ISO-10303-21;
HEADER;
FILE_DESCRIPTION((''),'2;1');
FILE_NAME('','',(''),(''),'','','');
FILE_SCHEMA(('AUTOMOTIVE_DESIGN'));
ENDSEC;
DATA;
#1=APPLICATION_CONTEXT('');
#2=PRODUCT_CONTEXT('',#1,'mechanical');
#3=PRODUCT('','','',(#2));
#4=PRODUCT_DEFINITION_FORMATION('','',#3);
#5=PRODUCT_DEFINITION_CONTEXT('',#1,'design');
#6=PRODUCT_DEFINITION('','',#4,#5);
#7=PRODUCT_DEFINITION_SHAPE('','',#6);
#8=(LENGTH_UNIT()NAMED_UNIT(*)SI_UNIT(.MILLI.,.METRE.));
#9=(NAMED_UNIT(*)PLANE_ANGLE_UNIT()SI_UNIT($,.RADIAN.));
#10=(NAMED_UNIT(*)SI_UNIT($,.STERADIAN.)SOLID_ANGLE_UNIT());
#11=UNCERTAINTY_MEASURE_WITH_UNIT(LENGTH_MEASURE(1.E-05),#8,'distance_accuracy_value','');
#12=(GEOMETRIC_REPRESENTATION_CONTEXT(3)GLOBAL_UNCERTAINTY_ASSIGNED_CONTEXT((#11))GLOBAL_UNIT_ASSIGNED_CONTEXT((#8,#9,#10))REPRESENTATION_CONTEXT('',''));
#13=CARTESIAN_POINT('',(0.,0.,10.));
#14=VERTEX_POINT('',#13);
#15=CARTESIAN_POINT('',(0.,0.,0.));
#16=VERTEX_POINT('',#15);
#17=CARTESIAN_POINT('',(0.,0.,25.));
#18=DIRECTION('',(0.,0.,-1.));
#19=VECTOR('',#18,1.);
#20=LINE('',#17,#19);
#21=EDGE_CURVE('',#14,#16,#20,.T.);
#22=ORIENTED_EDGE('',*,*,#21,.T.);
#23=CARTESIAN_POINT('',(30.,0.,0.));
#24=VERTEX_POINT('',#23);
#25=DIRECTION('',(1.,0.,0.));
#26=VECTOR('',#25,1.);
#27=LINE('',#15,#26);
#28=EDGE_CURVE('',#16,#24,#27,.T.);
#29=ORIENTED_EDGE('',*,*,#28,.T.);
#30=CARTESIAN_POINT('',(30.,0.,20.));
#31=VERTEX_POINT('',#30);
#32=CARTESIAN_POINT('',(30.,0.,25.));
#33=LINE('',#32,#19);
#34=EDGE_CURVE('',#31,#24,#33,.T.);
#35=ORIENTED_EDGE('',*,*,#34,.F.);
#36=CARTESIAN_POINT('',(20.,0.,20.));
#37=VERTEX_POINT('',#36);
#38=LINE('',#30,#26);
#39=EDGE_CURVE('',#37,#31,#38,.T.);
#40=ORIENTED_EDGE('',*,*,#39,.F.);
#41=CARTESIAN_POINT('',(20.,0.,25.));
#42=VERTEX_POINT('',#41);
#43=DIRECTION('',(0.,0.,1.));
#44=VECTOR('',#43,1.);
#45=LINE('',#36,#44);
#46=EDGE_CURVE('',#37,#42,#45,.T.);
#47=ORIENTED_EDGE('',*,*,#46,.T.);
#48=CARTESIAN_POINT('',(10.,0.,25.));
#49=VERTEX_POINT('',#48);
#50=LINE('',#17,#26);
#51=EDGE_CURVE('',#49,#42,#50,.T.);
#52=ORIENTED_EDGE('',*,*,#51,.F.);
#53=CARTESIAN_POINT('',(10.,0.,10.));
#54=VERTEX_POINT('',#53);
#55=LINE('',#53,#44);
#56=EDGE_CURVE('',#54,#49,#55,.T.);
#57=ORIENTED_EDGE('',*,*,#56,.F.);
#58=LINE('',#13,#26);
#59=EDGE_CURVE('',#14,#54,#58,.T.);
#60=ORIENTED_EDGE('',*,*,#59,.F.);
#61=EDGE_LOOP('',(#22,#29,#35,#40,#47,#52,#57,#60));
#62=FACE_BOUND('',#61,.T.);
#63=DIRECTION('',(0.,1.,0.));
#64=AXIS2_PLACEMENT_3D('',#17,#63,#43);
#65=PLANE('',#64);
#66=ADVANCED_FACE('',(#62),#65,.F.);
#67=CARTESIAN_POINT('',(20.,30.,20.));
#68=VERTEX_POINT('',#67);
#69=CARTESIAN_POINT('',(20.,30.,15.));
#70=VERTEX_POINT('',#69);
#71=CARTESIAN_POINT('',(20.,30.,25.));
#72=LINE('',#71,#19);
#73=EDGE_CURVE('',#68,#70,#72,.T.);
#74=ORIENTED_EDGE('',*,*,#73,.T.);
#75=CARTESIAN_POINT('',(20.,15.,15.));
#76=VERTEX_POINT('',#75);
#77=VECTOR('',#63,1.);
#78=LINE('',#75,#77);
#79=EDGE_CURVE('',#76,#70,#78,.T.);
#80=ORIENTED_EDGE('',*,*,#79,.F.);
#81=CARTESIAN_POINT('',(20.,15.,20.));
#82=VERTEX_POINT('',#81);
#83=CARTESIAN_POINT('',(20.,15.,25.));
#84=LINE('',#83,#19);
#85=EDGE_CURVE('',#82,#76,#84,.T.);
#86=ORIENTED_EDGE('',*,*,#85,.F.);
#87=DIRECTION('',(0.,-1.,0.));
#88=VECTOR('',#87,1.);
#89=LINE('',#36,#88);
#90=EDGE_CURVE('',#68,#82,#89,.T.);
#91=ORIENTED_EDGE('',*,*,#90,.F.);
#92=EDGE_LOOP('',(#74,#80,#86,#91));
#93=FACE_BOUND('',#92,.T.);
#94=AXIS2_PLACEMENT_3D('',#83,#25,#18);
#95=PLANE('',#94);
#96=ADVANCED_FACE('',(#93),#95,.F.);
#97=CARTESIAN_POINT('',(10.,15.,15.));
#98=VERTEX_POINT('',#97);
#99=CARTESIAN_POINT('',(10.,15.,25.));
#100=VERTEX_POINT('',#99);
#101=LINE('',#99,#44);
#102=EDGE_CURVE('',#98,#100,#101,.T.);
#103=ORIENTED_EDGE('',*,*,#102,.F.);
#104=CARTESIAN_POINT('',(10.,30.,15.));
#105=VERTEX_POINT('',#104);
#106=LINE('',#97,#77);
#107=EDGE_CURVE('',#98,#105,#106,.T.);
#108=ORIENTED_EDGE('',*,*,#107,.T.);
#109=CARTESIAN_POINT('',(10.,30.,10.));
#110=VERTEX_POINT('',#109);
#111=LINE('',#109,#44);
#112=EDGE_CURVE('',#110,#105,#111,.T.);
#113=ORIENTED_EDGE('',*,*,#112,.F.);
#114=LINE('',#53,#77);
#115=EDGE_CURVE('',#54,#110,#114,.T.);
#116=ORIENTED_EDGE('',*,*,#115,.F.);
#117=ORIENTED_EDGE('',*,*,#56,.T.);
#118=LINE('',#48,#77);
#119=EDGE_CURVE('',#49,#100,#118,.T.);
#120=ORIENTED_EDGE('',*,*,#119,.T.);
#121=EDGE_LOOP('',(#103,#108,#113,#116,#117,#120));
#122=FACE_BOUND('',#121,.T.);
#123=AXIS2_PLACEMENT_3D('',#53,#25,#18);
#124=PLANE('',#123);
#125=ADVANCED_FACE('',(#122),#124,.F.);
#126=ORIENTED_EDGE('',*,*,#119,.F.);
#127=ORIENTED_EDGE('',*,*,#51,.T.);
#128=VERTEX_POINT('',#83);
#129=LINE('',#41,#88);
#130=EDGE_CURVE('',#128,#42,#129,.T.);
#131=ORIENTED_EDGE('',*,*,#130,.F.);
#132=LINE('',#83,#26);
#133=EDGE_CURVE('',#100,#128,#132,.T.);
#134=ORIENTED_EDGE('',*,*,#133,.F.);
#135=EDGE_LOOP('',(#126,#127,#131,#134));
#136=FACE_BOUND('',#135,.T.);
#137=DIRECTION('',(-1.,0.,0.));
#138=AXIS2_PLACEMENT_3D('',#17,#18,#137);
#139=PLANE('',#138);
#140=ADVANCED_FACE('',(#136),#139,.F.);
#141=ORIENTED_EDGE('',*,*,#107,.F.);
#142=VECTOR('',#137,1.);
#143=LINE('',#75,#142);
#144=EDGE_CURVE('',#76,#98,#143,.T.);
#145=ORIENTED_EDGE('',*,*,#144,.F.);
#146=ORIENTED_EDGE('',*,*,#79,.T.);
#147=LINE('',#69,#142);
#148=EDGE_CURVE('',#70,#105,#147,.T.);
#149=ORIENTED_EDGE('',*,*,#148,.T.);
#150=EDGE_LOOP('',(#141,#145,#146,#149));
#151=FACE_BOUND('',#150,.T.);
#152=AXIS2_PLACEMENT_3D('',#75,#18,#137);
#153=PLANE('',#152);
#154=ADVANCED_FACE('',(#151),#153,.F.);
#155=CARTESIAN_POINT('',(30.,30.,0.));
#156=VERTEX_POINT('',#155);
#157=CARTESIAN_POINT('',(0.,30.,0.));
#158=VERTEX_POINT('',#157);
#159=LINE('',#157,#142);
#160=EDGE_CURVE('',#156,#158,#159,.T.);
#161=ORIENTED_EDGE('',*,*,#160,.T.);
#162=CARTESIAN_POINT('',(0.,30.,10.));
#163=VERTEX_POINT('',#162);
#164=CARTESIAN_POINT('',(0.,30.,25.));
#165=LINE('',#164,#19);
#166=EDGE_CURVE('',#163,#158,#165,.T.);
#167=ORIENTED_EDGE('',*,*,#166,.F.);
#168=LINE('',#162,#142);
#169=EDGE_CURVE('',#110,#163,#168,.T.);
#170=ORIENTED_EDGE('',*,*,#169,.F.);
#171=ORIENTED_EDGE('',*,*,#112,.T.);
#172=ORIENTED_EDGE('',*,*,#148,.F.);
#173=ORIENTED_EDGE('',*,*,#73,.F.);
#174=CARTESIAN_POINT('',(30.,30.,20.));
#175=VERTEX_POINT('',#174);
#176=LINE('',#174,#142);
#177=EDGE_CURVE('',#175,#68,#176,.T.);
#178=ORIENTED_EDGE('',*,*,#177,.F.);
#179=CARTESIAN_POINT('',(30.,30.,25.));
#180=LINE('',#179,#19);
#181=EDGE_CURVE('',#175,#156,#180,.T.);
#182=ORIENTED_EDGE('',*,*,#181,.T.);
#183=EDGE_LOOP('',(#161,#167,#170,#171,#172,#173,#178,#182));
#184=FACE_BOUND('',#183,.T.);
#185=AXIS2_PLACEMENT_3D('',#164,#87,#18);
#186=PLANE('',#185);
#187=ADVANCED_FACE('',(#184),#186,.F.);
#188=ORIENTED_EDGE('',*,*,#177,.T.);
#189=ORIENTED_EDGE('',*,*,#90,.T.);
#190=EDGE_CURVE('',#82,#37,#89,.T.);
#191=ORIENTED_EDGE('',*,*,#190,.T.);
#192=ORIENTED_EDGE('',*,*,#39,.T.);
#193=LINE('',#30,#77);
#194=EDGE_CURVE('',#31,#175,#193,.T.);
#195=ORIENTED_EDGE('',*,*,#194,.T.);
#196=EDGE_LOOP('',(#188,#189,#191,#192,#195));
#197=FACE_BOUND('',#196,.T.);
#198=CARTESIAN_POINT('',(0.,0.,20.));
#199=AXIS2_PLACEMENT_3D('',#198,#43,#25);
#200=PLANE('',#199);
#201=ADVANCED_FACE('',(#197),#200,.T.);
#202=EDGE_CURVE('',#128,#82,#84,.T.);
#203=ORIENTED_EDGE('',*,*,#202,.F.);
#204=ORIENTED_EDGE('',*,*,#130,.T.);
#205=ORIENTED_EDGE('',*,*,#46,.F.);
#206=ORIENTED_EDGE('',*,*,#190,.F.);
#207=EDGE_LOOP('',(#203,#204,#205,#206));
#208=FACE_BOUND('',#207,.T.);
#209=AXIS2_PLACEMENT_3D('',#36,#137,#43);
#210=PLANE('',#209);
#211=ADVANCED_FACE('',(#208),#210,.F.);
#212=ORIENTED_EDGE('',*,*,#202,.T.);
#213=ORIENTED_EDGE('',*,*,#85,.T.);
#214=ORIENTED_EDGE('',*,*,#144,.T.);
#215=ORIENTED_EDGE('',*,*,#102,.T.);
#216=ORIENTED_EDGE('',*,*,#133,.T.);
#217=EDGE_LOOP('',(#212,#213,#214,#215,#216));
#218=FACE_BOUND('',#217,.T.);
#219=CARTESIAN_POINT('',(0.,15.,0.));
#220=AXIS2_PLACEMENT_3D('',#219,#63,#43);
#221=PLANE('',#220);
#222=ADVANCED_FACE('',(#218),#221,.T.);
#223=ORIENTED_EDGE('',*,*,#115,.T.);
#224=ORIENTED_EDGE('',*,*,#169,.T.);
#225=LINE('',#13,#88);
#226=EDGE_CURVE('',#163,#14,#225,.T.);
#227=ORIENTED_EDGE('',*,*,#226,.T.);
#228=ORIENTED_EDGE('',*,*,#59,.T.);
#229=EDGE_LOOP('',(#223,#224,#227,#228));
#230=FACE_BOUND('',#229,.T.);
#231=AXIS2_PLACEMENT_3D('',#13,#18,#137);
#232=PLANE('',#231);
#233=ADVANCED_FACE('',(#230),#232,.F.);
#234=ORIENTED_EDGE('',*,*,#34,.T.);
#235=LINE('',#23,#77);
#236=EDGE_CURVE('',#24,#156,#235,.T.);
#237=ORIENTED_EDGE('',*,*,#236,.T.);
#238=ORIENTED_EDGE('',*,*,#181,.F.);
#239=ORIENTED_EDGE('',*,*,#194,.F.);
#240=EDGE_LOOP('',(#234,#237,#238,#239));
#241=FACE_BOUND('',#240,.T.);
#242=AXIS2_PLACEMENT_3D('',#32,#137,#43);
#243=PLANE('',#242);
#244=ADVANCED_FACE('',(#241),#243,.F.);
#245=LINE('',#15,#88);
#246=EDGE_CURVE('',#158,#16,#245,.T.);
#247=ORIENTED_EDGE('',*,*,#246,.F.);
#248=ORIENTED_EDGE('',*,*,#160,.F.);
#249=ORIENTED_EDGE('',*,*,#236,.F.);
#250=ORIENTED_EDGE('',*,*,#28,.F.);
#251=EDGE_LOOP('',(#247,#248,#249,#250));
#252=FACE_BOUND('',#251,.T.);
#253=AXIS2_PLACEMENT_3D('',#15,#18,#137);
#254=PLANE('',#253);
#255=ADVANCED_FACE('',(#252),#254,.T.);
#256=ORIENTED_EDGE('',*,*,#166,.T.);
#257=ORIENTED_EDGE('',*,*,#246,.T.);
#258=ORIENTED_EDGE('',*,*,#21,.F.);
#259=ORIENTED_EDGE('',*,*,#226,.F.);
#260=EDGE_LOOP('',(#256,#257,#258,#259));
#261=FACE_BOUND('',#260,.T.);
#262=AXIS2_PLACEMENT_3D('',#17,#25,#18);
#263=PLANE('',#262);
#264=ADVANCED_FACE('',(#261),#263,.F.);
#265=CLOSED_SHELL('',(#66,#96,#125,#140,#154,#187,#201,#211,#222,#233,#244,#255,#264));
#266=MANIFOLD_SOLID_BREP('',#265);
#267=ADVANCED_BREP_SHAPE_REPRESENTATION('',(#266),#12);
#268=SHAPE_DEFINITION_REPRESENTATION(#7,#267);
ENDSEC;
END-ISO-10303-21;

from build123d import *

# Parameters (mm, degrees)
SKETCH1_W           = 30
SKETCH1_H           = 30
BOSS_EXTRUDE1_DEPTH = 25
SKETCH2_W           = 10
SKETCH2_H           = 30
CUT_EXTRUDE1_DEPTH  = 5
SKETCH3_W           = 10
SKETCH3_H           = 30
CUT_EXTRUDE2_DEPTH  = 15
SKETCH4_W           = 10
SKETCH4_H           = 10
CUT_EXTRUDE3_DEPTH  = 15


with BuildPart() as part:
    # Sketch1 → Boss-Extrude1 (new body)
    with BuildSketch(Plane.XY):
        with Locations((15, 15)):
            Rectangle(SKETCH1_W, SKETCH1_H)
    extrude(amount=BOSS_EXTRUDE1_DEPTH)

    # Sketch2 → Cut-Extrude1 (cut)
    with BuildSketch(Plane.XY.offset(25)):
        with Locations((25, 15)):
            Rectangle(SKETCH2_W, SKETCH2_H)
    extrude(amount=-CUT_EXTRUDE1_DEPTH, mode=Mode.SUBTRACT)

    # Sketch3 → Cut-Extrude2 (cut)
    with BuildSketch(Plane.XY.offset(25)):
        with Locations((5, 15)):
            Rectangle(SKETCH3_W, SKETCH3_H)
    extrude(amount=-CUT_EXTRUDE2_DEPTH, mode=Mode.SUBTRACT)

    # Sketch4 → Cut-Extrude3 (cut)
    with BuildSketch(Plane(origin=(0, 30, 0), x_dir=(1, 0, 0), z_dir=(0, 1, 0))):
        with Locations((15, -20)):
            Rectangle(SKETCH4_W, SKETCH4_H)
    extrude(amount=-CUT_EXTRUDE3_DEPTH, mode=Mode.SUBTRACT)


solid = part.part
